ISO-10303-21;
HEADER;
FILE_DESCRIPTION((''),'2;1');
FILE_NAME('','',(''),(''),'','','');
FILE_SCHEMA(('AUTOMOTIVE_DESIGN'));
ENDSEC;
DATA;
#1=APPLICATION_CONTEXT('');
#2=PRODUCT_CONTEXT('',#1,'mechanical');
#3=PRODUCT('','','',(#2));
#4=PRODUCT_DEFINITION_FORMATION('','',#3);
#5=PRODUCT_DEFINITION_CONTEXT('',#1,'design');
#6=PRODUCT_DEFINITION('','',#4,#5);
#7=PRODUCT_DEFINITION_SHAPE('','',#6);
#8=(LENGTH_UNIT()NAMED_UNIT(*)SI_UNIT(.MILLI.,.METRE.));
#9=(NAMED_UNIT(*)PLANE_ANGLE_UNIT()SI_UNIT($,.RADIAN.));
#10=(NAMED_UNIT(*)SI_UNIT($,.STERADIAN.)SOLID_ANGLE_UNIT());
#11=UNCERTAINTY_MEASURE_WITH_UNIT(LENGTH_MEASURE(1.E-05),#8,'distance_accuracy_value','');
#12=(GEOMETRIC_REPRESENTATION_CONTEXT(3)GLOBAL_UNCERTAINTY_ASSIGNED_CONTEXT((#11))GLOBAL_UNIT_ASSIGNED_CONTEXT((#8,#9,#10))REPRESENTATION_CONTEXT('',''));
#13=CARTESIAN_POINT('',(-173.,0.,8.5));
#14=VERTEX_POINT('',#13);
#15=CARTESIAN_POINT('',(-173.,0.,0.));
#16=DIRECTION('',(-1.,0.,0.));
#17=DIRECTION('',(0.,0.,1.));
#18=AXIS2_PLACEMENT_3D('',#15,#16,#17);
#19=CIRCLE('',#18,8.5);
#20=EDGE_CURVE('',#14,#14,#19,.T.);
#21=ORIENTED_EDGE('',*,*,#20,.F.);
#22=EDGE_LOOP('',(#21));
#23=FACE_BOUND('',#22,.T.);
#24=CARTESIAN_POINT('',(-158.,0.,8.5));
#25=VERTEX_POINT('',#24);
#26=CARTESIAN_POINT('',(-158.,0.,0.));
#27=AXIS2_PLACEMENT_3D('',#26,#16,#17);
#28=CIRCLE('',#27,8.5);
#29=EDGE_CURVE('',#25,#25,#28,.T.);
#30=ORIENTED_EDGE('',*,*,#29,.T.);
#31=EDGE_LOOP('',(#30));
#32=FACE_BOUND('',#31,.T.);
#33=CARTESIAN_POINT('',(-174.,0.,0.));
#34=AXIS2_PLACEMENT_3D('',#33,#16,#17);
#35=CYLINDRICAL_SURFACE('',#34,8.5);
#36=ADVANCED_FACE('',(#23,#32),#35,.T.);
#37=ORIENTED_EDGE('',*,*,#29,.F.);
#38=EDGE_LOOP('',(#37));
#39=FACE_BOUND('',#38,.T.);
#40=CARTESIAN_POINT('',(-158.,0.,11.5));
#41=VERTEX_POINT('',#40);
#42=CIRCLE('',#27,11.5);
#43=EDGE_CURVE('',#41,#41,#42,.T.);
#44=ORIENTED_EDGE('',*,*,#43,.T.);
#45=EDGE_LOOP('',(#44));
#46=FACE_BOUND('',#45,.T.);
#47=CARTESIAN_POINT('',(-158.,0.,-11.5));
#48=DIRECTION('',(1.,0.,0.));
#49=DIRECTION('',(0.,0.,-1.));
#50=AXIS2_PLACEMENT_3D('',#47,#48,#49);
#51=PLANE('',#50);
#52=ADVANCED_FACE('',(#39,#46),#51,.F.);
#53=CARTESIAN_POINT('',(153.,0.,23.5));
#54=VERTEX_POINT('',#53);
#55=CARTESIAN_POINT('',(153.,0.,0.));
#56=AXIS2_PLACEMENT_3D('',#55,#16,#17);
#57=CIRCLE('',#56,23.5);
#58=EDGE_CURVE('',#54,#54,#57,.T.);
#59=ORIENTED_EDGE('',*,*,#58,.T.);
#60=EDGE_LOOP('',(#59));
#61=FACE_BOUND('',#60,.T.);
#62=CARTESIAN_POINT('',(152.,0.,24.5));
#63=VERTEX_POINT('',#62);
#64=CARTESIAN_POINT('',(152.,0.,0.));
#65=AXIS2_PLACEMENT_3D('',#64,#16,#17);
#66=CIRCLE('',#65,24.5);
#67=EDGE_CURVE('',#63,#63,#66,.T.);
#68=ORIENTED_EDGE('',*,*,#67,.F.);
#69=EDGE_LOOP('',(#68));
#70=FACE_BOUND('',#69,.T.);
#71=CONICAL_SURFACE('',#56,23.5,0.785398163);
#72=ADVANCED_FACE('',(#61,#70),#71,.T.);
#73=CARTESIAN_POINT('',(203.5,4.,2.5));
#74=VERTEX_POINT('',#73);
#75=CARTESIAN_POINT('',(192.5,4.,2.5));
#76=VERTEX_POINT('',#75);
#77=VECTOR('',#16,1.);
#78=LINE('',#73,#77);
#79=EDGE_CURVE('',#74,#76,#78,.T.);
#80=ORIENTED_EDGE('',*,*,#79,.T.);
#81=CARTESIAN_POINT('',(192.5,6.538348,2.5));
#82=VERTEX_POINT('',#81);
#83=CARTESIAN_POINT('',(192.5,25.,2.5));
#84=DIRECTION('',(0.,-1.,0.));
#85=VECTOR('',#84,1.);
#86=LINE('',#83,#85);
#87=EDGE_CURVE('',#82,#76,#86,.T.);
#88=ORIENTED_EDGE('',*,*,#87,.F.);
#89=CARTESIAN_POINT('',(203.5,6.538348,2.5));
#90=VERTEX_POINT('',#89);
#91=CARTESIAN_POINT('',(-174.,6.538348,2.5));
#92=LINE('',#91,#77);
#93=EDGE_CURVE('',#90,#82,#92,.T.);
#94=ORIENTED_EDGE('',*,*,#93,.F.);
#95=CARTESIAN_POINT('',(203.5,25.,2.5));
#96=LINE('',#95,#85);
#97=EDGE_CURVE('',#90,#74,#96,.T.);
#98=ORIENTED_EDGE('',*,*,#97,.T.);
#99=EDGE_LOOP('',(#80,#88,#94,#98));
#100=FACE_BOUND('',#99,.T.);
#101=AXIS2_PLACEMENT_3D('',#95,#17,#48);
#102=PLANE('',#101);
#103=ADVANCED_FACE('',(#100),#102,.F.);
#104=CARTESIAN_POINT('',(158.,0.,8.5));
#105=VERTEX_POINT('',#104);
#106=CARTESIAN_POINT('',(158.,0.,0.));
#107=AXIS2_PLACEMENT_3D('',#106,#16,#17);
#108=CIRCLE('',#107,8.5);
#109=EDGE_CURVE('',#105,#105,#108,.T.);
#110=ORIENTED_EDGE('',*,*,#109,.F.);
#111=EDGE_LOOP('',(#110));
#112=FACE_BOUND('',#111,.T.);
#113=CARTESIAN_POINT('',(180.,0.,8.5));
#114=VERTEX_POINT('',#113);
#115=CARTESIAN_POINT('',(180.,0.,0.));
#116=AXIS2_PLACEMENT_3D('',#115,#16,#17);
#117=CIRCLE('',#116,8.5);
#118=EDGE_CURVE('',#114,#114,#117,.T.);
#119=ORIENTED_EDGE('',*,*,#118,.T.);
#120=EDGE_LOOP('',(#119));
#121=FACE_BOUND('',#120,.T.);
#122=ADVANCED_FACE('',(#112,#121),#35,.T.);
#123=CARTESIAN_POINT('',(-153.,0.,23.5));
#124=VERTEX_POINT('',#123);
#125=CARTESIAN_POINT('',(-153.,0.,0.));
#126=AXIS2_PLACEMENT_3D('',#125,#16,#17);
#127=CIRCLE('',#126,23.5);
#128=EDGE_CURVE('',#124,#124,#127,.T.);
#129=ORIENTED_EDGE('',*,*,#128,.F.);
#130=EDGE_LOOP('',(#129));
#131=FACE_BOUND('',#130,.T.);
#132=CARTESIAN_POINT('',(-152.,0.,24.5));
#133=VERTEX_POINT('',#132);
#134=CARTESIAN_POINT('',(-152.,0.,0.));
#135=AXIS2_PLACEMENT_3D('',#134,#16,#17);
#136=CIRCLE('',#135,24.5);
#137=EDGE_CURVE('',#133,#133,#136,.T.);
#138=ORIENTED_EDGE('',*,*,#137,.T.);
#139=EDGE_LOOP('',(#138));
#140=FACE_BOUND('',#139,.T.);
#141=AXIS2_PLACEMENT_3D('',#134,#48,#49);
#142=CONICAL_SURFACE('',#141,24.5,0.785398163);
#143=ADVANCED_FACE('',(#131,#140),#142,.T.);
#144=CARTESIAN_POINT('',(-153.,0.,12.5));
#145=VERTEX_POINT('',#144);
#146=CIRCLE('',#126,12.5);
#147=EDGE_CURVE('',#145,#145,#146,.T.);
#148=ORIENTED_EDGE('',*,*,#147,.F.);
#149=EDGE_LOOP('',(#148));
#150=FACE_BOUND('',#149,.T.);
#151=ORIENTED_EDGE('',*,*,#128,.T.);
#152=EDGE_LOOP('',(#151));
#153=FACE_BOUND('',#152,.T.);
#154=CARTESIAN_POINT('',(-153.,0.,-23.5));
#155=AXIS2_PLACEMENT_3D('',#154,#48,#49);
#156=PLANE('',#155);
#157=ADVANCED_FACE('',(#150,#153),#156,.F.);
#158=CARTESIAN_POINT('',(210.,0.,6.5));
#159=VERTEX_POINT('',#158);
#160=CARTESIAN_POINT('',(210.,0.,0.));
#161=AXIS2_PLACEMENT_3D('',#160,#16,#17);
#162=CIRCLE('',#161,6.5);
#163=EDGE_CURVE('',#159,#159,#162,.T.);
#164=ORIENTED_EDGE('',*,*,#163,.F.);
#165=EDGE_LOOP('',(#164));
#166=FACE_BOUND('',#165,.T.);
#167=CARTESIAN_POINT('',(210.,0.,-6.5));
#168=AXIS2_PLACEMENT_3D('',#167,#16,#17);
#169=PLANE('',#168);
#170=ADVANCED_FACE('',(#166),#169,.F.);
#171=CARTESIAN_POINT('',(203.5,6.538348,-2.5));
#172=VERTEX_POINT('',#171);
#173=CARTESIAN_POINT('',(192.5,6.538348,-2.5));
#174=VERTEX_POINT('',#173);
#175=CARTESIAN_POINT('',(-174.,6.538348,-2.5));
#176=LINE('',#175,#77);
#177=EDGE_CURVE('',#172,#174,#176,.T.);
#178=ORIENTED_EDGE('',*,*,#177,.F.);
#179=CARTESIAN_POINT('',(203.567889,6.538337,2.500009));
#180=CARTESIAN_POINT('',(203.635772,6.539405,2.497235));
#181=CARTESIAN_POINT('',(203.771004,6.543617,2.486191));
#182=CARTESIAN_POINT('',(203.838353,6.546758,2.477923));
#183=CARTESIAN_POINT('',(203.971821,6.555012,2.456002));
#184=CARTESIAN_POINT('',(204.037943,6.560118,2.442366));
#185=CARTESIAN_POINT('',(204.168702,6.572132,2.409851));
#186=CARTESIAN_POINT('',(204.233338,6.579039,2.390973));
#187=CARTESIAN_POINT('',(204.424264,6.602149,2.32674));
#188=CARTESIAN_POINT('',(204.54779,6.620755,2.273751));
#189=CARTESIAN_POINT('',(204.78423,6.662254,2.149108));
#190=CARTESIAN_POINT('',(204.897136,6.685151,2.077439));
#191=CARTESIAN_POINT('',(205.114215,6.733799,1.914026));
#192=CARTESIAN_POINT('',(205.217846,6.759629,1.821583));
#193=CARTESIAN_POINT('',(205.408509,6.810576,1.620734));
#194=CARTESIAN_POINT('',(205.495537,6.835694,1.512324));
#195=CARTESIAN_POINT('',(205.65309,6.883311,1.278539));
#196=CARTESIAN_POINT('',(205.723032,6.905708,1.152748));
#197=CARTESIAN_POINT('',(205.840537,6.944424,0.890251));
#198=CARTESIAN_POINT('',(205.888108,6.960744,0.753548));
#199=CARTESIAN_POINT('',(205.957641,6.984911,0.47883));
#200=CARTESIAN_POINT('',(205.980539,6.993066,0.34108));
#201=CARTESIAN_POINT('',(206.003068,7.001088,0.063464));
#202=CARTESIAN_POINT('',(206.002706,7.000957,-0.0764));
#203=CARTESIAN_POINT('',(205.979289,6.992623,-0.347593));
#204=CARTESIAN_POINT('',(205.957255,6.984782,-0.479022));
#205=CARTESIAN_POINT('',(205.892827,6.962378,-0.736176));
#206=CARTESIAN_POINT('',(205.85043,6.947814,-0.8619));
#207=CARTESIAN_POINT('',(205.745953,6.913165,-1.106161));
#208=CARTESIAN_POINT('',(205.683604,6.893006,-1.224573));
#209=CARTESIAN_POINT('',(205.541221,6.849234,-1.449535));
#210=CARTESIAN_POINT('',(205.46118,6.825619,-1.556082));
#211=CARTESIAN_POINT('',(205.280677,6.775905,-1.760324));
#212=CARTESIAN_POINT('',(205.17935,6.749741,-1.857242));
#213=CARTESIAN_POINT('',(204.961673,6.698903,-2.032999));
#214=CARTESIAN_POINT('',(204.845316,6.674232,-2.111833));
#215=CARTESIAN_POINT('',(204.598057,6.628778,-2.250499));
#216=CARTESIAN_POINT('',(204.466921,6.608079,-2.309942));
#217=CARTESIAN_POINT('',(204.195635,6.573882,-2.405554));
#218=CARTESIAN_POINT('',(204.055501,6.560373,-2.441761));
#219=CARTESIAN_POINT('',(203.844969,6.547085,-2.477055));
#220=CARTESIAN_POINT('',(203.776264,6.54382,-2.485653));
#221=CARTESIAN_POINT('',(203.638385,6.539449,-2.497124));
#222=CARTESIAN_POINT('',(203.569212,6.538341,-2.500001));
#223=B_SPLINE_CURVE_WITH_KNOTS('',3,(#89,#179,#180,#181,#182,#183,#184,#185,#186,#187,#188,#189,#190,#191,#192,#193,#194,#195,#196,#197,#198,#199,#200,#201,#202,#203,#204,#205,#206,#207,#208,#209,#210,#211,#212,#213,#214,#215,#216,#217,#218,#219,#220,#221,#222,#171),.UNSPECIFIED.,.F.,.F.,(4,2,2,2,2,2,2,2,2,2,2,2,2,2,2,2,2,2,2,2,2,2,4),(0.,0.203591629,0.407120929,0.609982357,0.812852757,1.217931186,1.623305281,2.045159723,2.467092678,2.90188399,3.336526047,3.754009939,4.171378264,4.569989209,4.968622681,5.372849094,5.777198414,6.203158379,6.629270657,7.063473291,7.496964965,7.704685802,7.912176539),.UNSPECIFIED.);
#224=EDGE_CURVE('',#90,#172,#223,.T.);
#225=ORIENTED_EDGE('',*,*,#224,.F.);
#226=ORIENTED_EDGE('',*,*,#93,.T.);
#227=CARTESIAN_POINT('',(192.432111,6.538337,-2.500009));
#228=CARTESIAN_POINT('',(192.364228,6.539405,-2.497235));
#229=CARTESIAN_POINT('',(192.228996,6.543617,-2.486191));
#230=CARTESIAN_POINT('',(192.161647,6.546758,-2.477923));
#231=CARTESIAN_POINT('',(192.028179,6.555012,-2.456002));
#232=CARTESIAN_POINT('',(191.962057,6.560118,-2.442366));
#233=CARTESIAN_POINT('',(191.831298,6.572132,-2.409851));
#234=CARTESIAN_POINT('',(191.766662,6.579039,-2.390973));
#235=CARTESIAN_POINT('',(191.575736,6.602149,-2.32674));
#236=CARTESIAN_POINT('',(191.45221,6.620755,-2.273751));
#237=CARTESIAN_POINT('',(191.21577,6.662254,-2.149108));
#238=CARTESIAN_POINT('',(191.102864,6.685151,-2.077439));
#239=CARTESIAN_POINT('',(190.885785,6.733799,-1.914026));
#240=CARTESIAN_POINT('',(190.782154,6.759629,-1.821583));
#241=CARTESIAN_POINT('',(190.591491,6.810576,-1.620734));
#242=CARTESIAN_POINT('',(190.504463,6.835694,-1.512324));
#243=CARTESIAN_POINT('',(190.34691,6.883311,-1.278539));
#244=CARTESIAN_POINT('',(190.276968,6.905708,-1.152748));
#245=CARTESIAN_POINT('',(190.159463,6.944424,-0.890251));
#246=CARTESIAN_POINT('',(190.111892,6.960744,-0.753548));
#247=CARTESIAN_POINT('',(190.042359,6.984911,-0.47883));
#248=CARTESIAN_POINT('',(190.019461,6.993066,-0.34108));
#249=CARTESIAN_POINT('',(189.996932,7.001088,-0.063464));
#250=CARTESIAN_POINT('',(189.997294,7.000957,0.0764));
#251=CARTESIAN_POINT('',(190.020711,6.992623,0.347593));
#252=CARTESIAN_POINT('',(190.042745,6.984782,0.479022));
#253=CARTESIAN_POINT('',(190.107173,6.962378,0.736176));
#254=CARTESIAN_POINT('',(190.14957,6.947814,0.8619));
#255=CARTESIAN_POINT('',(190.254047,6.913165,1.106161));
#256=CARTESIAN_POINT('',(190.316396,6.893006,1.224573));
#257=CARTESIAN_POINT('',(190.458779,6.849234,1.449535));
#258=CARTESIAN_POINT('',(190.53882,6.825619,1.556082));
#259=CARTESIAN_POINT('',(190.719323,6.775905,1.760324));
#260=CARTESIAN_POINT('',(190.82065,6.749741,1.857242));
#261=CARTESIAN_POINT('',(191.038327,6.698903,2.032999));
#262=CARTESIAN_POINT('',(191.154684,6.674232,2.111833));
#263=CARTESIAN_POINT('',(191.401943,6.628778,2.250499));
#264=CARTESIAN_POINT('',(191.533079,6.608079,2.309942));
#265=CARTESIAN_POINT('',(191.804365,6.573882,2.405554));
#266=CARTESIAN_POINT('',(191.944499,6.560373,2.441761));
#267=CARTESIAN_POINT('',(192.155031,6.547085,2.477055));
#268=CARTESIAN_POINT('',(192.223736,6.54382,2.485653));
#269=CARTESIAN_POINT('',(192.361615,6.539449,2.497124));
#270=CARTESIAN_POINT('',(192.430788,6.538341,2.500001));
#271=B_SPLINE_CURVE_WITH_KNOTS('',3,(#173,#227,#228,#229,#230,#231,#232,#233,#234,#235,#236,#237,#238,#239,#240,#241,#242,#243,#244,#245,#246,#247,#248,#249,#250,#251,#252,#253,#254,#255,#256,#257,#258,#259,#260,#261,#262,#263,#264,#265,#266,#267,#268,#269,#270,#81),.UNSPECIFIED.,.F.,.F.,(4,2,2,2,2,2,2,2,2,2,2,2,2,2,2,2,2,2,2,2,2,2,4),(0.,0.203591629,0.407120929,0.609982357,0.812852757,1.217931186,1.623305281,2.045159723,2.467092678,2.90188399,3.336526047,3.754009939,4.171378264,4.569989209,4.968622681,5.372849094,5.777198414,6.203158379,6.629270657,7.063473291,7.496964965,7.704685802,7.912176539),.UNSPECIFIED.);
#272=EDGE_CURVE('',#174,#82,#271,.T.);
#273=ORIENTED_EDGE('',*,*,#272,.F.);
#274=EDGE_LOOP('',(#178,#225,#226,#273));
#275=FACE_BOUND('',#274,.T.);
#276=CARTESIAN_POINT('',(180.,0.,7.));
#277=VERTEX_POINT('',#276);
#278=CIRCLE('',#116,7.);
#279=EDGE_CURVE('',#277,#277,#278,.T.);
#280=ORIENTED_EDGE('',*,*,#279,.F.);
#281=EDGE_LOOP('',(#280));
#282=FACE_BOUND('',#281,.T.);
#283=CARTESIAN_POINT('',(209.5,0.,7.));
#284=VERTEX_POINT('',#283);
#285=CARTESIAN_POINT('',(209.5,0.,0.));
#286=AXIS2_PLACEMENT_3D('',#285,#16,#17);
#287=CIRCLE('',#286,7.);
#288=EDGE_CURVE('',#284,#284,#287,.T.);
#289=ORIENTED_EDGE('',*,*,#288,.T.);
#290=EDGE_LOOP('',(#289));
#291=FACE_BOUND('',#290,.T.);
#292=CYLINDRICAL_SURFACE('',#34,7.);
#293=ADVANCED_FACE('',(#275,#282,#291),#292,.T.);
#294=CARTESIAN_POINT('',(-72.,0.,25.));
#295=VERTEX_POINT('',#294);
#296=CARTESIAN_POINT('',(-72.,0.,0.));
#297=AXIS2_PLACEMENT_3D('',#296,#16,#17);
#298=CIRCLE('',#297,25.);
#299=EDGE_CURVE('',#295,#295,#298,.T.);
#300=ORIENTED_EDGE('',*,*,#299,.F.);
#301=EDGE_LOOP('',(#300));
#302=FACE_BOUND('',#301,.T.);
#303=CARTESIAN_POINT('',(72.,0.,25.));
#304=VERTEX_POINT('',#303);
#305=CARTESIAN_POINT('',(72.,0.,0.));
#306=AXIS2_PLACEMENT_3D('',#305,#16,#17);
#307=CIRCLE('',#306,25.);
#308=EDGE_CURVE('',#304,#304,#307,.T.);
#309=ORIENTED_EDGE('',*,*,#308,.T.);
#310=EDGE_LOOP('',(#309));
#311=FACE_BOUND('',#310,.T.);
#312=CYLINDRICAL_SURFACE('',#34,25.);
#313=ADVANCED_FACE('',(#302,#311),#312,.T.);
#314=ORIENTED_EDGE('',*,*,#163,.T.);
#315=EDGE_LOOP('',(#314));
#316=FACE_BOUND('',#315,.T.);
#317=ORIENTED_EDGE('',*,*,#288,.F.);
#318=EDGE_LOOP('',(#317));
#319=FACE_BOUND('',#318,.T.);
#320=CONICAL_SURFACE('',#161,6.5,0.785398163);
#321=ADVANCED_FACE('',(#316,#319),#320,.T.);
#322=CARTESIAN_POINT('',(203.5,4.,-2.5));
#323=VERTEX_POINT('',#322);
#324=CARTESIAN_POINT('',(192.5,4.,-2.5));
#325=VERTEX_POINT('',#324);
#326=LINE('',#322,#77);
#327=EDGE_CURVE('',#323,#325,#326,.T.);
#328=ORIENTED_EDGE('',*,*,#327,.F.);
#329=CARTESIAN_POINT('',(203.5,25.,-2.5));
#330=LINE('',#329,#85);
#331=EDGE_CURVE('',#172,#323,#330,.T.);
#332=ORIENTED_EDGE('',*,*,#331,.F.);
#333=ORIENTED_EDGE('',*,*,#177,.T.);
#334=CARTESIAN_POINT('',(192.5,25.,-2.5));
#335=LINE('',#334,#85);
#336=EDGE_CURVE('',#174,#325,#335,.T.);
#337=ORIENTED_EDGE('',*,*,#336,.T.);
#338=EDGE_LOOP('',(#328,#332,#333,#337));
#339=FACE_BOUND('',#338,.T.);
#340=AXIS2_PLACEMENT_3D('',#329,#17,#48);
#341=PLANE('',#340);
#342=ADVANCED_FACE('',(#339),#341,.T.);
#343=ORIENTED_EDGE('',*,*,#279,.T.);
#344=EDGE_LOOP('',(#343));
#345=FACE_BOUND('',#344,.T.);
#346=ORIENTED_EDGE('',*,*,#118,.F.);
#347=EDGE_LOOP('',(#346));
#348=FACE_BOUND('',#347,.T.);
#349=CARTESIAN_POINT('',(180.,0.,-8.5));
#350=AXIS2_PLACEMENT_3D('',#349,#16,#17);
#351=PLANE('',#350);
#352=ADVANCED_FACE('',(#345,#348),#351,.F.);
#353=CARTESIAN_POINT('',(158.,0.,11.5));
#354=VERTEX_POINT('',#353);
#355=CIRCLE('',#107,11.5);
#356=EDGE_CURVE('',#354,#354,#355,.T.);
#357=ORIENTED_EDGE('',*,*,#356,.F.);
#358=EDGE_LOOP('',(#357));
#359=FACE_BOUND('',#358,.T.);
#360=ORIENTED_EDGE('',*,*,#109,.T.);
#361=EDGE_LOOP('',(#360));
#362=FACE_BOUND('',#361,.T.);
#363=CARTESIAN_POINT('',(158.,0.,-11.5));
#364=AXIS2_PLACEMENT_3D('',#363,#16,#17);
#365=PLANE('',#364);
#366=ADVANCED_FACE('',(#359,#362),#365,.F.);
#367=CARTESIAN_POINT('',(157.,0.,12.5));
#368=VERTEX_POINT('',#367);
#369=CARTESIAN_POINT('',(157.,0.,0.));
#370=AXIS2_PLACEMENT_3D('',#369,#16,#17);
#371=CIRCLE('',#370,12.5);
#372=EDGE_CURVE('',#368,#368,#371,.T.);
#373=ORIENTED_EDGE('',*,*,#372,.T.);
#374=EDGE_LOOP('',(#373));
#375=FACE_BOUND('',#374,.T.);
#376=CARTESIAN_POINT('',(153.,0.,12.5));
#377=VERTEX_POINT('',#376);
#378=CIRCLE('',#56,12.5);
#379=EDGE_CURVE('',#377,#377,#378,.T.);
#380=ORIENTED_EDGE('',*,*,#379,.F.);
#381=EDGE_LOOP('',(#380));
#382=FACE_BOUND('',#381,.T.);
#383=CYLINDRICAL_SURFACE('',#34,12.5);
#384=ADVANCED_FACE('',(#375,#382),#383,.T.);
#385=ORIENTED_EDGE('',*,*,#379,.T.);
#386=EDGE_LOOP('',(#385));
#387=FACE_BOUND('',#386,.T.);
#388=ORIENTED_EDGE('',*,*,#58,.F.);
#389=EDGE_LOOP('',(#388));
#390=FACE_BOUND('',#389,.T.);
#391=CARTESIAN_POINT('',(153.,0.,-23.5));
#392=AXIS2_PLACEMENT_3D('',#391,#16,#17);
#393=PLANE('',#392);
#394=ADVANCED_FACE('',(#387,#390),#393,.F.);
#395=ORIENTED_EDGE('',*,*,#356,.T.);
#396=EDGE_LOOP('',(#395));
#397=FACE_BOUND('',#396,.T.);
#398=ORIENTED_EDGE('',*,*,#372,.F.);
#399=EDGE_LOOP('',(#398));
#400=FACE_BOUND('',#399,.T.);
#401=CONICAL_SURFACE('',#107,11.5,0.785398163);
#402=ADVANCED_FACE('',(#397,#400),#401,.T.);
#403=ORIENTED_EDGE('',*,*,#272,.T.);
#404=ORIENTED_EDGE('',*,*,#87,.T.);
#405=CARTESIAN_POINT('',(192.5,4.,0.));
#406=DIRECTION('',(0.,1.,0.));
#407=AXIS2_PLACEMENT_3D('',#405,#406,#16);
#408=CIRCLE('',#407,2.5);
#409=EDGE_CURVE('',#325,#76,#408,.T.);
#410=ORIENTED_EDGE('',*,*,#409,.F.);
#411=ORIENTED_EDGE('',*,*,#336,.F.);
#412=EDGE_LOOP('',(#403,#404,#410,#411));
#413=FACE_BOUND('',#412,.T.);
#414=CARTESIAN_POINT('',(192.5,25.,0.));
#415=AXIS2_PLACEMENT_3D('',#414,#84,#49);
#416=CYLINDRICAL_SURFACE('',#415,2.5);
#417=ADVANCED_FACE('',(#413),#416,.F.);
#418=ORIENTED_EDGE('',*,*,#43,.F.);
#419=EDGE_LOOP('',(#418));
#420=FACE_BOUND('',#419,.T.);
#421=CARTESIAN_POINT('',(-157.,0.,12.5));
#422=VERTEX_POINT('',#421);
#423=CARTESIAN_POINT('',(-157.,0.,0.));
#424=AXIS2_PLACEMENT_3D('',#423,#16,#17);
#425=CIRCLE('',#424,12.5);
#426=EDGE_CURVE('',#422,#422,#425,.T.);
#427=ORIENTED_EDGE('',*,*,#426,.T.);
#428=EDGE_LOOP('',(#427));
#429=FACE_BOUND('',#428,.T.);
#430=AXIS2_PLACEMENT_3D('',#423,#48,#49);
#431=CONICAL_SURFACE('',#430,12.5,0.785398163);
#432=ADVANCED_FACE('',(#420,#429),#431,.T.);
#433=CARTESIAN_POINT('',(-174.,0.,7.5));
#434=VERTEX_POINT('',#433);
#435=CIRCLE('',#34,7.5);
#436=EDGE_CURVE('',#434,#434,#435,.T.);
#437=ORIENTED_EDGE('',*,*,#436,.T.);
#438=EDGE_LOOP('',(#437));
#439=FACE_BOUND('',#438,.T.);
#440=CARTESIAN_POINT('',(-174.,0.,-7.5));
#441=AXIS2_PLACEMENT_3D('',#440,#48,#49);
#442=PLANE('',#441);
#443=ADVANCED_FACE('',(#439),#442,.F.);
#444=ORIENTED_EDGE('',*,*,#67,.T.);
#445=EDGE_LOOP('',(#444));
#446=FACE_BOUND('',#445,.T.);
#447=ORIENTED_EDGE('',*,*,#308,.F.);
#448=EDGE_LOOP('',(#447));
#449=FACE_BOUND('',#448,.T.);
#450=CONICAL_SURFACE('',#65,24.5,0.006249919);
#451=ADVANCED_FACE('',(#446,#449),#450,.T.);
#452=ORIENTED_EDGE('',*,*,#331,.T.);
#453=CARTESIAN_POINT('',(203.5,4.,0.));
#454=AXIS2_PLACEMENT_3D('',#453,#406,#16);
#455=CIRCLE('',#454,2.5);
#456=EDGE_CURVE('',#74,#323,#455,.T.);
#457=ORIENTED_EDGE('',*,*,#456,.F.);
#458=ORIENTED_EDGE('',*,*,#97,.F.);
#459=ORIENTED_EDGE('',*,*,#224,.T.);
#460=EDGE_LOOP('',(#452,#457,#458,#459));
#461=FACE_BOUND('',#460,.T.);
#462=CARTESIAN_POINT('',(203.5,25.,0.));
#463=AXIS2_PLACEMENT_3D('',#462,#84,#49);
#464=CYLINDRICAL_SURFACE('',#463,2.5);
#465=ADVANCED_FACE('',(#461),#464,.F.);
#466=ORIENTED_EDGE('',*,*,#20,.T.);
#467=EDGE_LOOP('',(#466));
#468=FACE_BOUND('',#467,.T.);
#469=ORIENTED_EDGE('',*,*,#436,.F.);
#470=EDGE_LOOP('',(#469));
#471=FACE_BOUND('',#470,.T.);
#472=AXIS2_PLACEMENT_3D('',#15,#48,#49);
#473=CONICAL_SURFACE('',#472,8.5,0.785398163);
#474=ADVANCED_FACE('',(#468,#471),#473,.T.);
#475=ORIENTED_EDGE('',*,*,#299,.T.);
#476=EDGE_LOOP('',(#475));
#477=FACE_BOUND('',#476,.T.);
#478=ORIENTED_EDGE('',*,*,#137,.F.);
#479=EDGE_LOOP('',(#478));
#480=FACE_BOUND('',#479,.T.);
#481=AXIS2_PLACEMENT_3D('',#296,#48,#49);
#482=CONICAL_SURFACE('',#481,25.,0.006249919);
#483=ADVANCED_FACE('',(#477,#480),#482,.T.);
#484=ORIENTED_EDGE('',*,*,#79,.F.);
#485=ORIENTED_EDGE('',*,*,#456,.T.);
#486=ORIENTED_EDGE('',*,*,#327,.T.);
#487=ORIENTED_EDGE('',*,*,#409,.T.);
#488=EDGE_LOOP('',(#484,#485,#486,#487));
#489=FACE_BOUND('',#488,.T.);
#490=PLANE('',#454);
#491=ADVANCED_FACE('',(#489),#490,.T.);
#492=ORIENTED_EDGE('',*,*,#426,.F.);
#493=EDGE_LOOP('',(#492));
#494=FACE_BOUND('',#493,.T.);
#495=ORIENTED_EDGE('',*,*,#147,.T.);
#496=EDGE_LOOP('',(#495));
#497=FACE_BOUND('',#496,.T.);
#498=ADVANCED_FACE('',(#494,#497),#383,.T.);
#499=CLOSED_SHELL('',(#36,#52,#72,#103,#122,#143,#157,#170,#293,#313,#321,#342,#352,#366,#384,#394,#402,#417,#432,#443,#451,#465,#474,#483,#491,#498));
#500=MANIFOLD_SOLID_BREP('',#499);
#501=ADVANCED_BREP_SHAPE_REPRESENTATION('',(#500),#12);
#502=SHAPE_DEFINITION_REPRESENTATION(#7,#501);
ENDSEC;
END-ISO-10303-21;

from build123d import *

# Parameters (mm, degrees)
EXTRUDE1_DEPTH = 22


with BuildPart() as part:
    # Sketch1 → Revolve1 (revolve)
    with BuildSketch(Plane(origin=(0, 0, 0), x_dir=(1, 0, 0), z_dir=(0, 1, 0)), mode=Mode.PRIVATE) as revolve1_sk:
        Polygon((-72, 25), (72, 25), (152, 24.5), (153, 23.5), (153, 12.5), (157, 12.5), (158, 11.5), (158, 8.5), (180, 8.5), (180, 7), (209.5, 7), (210, 6.5), (210, 0), (-174, 0), (-174, 7.5), (-173, 8.5), (-158, 8.5), (-158, 11.5), (-157, 12.5), (-153, 12.5), (-153, 23.5), (-152, 24.5), align=None)
    revolve(revolve1_sk.sketch.rotate(Axis((-174, 0, 0), (1, 0, 0)), 180), axis=Axis((-174, 0, 0), (1, 0, 0)))  # turned: the seam where the file's is

    # Sketch2 → Extrude1 (cut, through all)
    with BuildSketch(Plane(origin=(0, 4, 0), x_dir=(-1, 0, 0), z_dir=(0, 1, 0))):
        with BuildLine():
            Line((-203.5, 2.5), (-192.5, 2.5))
            ThreePointArc((-192.5, 2.5), (-190, 0), (-192.5, -2.5))
            Line((-192.5, -2.5), (-203.5, -2.5))
            ThreePointArc((-203.5, -2.5), (-206, 0), (-203.5, 2.5))
        make_face()
    extrude(amount=EXTRUDE1_DEPTH, mode=Mode.SUBTRACT)


solid = part.part
